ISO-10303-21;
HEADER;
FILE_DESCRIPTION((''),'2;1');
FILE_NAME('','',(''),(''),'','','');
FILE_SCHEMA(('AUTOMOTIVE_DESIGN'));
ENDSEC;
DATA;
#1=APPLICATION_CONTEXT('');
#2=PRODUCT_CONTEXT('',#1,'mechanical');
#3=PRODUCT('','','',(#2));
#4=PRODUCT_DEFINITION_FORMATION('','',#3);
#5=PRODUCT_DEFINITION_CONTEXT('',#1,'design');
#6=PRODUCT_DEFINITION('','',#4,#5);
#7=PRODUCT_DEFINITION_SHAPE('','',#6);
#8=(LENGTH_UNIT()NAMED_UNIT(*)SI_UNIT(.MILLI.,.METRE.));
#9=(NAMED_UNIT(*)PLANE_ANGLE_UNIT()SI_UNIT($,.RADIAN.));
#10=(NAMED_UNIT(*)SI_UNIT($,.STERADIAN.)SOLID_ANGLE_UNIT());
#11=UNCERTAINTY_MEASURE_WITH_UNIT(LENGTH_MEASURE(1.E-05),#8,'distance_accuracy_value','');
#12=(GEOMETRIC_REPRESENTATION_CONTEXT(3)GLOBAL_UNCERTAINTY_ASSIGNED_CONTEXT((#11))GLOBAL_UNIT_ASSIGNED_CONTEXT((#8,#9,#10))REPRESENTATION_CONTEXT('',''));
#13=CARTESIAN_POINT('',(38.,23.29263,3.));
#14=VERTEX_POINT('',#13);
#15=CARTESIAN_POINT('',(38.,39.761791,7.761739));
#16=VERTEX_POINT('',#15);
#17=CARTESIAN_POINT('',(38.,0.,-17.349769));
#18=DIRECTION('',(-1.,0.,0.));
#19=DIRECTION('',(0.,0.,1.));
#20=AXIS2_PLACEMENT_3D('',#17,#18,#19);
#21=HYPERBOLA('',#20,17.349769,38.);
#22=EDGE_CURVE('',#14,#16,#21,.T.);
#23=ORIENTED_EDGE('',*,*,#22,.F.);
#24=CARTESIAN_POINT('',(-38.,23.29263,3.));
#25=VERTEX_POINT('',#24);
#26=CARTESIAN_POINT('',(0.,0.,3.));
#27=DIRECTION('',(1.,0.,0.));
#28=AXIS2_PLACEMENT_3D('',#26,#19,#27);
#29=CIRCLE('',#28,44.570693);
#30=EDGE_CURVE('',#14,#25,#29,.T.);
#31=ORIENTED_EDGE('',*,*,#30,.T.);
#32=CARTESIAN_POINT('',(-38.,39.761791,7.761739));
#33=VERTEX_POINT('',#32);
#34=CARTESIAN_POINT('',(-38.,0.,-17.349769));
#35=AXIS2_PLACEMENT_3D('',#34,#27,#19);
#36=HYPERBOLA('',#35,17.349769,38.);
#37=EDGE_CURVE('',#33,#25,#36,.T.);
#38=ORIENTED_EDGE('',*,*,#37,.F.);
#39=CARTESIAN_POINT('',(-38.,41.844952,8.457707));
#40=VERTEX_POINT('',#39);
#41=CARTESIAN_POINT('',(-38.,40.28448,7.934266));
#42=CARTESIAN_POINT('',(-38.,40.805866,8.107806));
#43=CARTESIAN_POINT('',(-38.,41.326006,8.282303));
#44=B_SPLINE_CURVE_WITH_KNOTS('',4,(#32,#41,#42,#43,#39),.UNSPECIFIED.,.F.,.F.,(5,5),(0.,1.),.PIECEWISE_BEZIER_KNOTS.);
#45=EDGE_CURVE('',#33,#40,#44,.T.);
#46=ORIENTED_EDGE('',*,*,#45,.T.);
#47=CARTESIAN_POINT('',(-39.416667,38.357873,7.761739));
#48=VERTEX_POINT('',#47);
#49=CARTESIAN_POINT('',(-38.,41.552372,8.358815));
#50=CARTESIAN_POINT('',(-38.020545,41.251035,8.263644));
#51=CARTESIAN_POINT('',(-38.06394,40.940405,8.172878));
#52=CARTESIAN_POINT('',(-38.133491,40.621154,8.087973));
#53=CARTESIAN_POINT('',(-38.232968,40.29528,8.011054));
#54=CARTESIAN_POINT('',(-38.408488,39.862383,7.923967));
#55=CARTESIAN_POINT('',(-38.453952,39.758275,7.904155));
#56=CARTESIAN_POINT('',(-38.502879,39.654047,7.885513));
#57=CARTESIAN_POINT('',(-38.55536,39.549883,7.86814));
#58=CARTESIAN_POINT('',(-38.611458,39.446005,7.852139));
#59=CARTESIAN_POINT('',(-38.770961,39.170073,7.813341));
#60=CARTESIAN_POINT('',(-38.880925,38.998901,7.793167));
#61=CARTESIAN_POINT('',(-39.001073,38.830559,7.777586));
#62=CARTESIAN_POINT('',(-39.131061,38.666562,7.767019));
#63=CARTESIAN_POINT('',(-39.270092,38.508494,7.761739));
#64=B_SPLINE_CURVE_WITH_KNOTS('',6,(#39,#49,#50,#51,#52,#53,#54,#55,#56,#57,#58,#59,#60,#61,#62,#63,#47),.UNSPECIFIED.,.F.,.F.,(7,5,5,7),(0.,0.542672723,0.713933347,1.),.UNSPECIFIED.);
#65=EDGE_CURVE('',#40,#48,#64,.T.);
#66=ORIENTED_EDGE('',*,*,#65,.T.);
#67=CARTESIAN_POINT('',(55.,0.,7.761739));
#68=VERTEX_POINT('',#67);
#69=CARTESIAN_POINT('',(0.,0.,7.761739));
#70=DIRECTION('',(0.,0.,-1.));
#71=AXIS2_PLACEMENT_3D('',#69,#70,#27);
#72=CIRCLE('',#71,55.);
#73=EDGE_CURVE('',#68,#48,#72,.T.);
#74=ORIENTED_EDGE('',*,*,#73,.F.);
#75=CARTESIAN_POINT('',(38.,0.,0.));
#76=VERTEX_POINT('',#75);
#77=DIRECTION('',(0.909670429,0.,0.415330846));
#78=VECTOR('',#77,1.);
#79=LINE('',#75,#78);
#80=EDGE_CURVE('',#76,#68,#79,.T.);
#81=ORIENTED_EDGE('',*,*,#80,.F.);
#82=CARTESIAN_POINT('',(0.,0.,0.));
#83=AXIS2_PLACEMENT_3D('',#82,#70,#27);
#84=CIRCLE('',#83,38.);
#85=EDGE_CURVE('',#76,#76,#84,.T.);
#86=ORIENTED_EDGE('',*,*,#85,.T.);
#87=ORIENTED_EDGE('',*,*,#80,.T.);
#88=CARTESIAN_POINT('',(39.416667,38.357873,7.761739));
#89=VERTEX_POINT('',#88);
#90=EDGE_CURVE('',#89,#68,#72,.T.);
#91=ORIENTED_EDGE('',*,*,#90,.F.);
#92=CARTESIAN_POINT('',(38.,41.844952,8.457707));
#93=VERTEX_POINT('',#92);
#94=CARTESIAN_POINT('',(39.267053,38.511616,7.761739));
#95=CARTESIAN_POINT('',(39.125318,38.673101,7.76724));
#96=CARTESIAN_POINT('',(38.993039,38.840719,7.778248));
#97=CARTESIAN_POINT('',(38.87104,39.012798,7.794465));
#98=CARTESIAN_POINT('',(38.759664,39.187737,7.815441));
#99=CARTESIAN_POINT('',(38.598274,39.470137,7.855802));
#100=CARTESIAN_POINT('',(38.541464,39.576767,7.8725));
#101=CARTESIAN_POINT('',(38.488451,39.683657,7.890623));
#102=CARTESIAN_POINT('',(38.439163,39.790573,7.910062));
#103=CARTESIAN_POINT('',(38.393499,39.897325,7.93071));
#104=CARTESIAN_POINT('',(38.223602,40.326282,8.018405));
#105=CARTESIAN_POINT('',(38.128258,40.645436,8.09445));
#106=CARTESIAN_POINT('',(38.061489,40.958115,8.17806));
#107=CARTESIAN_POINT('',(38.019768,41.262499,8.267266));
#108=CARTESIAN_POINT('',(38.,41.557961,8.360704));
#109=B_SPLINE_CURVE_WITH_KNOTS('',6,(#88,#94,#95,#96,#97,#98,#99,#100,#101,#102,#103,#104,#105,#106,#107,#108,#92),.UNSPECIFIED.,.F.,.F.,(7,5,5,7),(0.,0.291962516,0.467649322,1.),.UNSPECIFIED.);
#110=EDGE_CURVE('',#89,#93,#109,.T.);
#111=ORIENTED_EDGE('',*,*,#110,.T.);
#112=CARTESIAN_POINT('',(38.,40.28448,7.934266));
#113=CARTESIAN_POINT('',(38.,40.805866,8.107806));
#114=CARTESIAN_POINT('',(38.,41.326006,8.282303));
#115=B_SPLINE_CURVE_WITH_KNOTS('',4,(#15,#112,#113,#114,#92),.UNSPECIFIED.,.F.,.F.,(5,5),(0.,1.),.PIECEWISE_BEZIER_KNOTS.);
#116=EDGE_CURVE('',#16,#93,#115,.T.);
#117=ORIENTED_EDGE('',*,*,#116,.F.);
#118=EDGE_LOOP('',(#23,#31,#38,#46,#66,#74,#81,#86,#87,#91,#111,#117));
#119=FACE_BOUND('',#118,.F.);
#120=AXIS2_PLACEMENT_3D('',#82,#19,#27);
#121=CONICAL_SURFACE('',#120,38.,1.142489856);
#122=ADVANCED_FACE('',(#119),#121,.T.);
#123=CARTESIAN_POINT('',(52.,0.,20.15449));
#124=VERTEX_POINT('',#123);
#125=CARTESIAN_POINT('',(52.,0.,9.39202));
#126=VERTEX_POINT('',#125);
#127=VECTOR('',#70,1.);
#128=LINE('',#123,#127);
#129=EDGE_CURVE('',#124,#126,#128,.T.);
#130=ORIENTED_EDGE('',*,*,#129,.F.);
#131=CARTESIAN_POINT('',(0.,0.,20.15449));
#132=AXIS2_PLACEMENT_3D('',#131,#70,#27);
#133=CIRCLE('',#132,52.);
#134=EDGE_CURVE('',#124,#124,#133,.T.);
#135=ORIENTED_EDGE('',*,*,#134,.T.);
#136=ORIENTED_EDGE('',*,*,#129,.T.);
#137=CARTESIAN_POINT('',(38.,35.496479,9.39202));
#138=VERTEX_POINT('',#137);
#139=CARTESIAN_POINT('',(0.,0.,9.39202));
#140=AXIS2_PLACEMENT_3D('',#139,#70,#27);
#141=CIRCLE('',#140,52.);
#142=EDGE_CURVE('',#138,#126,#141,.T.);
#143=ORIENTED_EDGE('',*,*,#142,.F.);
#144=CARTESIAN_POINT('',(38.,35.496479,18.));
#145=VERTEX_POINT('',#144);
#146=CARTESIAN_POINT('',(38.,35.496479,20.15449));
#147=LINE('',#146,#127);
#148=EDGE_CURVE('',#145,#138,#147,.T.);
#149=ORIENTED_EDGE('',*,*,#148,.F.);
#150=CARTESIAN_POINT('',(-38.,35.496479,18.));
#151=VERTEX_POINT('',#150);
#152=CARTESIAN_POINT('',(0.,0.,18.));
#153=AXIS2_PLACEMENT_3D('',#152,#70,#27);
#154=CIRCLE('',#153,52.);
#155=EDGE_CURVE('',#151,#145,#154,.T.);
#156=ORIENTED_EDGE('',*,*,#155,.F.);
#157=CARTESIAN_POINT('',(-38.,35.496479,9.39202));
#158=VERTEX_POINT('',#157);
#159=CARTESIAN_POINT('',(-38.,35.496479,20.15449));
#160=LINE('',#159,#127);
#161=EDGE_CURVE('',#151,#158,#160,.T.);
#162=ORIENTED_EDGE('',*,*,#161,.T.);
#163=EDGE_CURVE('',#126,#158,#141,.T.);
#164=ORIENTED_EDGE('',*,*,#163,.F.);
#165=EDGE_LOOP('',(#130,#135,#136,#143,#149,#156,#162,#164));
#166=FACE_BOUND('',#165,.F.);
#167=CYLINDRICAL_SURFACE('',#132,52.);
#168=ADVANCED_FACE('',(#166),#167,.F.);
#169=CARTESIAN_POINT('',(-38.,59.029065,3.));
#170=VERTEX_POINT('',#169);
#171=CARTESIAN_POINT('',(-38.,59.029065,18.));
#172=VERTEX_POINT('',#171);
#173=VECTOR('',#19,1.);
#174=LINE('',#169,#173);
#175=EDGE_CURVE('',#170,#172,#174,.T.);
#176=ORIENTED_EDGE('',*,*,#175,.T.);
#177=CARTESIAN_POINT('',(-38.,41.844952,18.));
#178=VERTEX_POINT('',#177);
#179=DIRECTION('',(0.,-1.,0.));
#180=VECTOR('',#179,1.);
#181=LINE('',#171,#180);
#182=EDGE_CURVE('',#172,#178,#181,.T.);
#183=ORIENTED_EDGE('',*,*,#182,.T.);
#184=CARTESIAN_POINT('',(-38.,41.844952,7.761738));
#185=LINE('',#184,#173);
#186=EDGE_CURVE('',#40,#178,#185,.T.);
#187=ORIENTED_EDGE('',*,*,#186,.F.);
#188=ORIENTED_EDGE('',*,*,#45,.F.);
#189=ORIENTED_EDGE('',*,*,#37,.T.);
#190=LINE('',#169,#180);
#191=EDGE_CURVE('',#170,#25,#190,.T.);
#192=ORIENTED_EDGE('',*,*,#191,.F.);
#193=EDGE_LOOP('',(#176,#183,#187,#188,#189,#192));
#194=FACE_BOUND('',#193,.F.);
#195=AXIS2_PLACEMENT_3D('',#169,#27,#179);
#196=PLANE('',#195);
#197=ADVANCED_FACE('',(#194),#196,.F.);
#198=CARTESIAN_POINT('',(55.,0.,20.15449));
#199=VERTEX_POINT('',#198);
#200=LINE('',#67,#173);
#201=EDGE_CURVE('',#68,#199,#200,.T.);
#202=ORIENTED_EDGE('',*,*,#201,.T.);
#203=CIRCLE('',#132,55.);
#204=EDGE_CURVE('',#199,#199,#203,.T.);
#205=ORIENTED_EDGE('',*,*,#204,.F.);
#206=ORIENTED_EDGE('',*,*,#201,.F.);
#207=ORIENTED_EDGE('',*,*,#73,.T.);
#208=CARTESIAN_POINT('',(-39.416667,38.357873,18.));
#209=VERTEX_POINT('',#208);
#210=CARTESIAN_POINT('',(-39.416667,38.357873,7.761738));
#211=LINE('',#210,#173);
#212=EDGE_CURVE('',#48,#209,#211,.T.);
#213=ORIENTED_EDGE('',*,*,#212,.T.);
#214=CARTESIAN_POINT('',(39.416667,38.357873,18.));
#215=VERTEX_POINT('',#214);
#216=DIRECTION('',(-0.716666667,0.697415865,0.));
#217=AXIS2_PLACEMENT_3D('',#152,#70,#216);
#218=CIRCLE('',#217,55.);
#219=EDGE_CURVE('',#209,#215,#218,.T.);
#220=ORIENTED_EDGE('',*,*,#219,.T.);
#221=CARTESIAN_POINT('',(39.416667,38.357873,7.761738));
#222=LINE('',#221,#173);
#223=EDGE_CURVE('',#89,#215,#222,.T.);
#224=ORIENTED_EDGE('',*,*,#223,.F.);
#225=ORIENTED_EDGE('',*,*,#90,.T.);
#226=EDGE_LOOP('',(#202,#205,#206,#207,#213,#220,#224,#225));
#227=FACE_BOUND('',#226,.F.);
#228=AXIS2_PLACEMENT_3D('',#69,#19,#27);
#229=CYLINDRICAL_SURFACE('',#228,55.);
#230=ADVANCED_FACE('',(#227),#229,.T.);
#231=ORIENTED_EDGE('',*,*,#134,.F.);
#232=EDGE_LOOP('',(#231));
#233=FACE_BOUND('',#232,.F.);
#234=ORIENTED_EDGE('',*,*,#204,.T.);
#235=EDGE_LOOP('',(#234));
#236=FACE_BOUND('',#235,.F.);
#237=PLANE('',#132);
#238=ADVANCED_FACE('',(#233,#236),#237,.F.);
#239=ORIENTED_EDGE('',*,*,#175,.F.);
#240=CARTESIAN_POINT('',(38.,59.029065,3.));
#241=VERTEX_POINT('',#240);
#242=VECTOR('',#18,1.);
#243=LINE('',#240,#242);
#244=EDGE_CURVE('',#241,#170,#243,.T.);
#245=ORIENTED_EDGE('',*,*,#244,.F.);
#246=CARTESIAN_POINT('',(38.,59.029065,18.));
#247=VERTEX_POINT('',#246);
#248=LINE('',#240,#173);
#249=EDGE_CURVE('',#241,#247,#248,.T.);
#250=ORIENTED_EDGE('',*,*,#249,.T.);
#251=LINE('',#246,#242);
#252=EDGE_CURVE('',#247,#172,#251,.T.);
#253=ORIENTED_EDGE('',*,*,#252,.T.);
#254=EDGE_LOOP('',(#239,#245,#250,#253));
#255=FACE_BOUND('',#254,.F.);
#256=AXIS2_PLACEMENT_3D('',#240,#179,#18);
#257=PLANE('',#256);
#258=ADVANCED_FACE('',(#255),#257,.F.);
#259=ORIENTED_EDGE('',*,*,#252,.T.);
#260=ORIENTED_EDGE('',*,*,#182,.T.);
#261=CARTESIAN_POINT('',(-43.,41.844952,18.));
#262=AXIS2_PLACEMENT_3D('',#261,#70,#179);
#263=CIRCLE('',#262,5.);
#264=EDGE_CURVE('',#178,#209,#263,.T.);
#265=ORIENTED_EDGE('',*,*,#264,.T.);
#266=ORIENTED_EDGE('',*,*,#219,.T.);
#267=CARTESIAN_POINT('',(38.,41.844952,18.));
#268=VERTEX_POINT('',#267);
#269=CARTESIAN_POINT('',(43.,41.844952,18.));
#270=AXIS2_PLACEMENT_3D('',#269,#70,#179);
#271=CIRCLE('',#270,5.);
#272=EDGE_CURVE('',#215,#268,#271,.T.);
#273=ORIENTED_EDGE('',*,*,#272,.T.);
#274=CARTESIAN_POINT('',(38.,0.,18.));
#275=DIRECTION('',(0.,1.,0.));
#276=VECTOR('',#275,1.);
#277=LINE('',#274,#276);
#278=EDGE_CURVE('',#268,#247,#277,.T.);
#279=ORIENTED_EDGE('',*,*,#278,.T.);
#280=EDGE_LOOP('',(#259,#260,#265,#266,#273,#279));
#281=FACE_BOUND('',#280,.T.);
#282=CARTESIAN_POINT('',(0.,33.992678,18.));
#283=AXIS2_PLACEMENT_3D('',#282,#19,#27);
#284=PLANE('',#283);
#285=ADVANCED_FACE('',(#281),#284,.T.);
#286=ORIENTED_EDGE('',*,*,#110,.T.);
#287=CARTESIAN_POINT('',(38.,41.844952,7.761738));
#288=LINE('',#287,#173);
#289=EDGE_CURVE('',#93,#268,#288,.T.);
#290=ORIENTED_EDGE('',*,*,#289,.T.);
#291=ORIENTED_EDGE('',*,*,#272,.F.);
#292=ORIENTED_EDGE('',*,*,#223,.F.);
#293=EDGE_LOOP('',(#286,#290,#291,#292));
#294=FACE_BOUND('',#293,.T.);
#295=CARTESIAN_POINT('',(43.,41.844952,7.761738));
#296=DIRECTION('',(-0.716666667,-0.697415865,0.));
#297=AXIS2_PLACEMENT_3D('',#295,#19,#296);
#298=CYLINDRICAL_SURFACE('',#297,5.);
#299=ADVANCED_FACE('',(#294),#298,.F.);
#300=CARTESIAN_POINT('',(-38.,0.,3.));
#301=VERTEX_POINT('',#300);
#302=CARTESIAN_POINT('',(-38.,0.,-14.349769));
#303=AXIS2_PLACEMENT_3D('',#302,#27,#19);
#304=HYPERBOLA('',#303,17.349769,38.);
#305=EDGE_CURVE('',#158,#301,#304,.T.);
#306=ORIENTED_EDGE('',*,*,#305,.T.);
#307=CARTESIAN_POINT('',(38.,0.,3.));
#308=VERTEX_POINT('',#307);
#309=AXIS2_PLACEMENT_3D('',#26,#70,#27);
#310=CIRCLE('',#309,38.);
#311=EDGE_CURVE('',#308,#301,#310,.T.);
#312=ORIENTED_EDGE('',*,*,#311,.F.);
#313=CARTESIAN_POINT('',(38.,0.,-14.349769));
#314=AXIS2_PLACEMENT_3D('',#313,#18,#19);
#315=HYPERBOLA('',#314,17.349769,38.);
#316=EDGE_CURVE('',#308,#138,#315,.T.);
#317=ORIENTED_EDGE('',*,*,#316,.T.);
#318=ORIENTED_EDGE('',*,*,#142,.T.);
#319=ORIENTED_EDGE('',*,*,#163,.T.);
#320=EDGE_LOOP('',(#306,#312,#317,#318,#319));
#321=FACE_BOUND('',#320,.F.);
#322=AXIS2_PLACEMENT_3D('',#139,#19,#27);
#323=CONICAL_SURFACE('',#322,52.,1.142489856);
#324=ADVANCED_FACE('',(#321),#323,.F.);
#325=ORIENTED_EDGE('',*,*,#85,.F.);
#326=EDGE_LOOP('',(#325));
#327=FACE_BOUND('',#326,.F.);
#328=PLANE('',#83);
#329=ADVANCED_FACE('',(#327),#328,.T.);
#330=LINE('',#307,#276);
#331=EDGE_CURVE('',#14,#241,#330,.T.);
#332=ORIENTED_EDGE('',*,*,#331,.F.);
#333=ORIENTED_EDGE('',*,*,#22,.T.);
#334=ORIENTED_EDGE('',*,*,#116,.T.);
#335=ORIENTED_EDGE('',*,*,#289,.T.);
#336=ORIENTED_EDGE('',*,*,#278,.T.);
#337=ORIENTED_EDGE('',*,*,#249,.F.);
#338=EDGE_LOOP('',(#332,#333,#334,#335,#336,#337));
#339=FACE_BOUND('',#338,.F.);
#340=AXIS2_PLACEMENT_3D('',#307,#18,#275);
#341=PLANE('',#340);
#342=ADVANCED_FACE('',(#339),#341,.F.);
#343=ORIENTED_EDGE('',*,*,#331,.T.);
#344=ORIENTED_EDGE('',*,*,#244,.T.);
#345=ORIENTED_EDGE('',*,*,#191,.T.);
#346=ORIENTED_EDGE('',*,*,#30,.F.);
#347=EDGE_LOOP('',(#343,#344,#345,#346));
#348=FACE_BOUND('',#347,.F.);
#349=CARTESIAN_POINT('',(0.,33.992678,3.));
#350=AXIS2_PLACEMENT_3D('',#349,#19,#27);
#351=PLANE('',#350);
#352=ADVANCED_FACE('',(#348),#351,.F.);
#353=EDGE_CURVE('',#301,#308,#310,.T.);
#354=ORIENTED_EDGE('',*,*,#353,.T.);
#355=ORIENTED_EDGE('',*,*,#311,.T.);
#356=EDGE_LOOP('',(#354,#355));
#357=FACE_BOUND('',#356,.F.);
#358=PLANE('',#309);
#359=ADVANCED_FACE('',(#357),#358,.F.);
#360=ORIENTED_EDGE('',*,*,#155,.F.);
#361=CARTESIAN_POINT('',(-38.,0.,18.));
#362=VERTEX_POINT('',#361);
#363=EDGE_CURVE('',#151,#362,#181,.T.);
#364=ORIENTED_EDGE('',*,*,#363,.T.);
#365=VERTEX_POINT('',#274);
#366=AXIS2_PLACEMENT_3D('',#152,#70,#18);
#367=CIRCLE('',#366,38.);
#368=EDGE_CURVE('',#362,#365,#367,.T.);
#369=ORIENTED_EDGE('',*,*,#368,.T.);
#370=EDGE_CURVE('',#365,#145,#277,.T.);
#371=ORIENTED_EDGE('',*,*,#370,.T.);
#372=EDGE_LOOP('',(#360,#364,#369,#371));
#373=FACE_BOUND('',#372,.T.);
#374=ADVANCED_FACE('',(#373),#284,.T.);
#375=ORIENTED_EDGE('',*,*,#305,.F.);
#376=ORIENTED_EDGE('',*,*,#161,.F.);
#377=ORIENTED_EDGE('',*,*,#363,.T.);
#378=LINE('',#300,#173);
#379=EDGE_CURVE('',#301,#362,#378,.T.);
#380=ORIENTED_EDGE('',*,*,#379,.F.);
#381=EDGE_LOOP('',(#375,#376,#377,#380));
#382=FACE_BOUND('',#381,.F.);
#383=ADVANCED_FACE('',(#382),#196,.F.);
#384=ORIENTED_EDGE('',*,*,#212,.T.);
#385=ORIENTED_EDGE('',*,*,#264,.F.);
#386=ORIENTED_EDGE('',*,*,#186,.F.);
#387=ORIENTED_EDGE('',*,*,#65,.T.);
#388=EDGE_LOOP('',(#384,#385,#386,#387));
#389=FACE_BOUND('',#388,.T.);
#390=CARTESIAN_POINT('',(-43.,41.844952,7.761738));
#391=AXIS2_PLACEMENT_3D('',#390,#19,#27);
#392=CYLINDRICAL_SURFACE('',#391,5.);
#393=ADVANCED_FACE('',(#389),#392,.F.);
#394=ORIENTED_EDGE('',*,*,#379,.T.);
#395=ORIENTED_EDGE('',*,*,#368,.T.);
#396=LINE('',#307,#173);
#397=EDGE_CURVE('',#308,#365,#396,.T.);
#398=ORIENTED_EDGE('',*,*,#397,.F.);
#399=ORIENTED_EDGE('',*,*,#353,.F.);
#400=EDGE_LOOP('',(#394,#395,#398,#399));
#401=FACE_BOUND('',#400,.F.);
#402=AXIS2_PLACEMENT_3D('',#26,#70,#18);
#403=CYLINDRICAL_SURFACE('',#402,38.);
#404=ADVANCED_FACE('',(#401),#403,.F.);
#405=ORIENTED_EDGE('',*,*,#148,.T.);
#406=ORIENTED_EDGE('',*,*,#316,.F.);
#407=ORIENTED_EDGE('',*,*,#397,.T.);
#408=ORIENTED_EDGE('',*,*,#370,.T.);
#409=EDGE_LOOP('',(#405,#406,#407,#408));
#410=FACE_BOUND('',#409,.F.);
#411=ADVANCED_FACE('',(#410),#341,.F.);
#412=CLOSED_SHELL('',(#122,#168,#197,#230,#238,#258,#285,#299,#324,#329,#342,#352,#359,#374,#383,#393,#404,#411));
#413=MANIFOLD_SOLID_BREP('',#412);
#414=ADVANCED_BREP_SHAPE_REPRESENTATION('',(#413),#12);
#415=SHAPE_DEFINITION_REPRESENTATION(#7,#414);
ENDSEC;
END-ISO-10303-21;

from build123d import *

# Parameters (mm, degrees)
F3_DEPTH = 15
F4_R     = 5


with BuildPart() as f1:
    # F0 (on Front) → F1 (revolve)
    with BuildSketch(Plane.XZ):
        Polygon((0, 3), (0, 0), (38, 0), (55, 7.7617389267), (55, 20.1544902792), (52, 20.1544902792), (52, 9.3920202926), (38, 3), align=None)
    revolve(axis=Axis((0, 0, 1.5), (0, 0, -1)))

    # F2 (on face) → F3 (join)
    with BuildSketch(Plane.XY.offset(3)):
        with BuildLine():
            Line((-38, 59.0290650725), (-38, 0))
            ThreePointArc((-38, 0), (0, 38), (38, 0))
            Line((38, 0), (38, 59.0290650725))
            Line((38, 59.0290650725), (-38, 59.0290650725))
        make_face()
    extrude(amount=F3_DEPTH)

    # F4
    f4_edges = [f1.edges().sort_by_distance(p)[0] for p in [
        (38, 39.761791, 12.880869),
        (-38, 39.761791, 12.880869),
    ]]
    fillet(f4_edges, radius=F4_R)


solid = f1.part
